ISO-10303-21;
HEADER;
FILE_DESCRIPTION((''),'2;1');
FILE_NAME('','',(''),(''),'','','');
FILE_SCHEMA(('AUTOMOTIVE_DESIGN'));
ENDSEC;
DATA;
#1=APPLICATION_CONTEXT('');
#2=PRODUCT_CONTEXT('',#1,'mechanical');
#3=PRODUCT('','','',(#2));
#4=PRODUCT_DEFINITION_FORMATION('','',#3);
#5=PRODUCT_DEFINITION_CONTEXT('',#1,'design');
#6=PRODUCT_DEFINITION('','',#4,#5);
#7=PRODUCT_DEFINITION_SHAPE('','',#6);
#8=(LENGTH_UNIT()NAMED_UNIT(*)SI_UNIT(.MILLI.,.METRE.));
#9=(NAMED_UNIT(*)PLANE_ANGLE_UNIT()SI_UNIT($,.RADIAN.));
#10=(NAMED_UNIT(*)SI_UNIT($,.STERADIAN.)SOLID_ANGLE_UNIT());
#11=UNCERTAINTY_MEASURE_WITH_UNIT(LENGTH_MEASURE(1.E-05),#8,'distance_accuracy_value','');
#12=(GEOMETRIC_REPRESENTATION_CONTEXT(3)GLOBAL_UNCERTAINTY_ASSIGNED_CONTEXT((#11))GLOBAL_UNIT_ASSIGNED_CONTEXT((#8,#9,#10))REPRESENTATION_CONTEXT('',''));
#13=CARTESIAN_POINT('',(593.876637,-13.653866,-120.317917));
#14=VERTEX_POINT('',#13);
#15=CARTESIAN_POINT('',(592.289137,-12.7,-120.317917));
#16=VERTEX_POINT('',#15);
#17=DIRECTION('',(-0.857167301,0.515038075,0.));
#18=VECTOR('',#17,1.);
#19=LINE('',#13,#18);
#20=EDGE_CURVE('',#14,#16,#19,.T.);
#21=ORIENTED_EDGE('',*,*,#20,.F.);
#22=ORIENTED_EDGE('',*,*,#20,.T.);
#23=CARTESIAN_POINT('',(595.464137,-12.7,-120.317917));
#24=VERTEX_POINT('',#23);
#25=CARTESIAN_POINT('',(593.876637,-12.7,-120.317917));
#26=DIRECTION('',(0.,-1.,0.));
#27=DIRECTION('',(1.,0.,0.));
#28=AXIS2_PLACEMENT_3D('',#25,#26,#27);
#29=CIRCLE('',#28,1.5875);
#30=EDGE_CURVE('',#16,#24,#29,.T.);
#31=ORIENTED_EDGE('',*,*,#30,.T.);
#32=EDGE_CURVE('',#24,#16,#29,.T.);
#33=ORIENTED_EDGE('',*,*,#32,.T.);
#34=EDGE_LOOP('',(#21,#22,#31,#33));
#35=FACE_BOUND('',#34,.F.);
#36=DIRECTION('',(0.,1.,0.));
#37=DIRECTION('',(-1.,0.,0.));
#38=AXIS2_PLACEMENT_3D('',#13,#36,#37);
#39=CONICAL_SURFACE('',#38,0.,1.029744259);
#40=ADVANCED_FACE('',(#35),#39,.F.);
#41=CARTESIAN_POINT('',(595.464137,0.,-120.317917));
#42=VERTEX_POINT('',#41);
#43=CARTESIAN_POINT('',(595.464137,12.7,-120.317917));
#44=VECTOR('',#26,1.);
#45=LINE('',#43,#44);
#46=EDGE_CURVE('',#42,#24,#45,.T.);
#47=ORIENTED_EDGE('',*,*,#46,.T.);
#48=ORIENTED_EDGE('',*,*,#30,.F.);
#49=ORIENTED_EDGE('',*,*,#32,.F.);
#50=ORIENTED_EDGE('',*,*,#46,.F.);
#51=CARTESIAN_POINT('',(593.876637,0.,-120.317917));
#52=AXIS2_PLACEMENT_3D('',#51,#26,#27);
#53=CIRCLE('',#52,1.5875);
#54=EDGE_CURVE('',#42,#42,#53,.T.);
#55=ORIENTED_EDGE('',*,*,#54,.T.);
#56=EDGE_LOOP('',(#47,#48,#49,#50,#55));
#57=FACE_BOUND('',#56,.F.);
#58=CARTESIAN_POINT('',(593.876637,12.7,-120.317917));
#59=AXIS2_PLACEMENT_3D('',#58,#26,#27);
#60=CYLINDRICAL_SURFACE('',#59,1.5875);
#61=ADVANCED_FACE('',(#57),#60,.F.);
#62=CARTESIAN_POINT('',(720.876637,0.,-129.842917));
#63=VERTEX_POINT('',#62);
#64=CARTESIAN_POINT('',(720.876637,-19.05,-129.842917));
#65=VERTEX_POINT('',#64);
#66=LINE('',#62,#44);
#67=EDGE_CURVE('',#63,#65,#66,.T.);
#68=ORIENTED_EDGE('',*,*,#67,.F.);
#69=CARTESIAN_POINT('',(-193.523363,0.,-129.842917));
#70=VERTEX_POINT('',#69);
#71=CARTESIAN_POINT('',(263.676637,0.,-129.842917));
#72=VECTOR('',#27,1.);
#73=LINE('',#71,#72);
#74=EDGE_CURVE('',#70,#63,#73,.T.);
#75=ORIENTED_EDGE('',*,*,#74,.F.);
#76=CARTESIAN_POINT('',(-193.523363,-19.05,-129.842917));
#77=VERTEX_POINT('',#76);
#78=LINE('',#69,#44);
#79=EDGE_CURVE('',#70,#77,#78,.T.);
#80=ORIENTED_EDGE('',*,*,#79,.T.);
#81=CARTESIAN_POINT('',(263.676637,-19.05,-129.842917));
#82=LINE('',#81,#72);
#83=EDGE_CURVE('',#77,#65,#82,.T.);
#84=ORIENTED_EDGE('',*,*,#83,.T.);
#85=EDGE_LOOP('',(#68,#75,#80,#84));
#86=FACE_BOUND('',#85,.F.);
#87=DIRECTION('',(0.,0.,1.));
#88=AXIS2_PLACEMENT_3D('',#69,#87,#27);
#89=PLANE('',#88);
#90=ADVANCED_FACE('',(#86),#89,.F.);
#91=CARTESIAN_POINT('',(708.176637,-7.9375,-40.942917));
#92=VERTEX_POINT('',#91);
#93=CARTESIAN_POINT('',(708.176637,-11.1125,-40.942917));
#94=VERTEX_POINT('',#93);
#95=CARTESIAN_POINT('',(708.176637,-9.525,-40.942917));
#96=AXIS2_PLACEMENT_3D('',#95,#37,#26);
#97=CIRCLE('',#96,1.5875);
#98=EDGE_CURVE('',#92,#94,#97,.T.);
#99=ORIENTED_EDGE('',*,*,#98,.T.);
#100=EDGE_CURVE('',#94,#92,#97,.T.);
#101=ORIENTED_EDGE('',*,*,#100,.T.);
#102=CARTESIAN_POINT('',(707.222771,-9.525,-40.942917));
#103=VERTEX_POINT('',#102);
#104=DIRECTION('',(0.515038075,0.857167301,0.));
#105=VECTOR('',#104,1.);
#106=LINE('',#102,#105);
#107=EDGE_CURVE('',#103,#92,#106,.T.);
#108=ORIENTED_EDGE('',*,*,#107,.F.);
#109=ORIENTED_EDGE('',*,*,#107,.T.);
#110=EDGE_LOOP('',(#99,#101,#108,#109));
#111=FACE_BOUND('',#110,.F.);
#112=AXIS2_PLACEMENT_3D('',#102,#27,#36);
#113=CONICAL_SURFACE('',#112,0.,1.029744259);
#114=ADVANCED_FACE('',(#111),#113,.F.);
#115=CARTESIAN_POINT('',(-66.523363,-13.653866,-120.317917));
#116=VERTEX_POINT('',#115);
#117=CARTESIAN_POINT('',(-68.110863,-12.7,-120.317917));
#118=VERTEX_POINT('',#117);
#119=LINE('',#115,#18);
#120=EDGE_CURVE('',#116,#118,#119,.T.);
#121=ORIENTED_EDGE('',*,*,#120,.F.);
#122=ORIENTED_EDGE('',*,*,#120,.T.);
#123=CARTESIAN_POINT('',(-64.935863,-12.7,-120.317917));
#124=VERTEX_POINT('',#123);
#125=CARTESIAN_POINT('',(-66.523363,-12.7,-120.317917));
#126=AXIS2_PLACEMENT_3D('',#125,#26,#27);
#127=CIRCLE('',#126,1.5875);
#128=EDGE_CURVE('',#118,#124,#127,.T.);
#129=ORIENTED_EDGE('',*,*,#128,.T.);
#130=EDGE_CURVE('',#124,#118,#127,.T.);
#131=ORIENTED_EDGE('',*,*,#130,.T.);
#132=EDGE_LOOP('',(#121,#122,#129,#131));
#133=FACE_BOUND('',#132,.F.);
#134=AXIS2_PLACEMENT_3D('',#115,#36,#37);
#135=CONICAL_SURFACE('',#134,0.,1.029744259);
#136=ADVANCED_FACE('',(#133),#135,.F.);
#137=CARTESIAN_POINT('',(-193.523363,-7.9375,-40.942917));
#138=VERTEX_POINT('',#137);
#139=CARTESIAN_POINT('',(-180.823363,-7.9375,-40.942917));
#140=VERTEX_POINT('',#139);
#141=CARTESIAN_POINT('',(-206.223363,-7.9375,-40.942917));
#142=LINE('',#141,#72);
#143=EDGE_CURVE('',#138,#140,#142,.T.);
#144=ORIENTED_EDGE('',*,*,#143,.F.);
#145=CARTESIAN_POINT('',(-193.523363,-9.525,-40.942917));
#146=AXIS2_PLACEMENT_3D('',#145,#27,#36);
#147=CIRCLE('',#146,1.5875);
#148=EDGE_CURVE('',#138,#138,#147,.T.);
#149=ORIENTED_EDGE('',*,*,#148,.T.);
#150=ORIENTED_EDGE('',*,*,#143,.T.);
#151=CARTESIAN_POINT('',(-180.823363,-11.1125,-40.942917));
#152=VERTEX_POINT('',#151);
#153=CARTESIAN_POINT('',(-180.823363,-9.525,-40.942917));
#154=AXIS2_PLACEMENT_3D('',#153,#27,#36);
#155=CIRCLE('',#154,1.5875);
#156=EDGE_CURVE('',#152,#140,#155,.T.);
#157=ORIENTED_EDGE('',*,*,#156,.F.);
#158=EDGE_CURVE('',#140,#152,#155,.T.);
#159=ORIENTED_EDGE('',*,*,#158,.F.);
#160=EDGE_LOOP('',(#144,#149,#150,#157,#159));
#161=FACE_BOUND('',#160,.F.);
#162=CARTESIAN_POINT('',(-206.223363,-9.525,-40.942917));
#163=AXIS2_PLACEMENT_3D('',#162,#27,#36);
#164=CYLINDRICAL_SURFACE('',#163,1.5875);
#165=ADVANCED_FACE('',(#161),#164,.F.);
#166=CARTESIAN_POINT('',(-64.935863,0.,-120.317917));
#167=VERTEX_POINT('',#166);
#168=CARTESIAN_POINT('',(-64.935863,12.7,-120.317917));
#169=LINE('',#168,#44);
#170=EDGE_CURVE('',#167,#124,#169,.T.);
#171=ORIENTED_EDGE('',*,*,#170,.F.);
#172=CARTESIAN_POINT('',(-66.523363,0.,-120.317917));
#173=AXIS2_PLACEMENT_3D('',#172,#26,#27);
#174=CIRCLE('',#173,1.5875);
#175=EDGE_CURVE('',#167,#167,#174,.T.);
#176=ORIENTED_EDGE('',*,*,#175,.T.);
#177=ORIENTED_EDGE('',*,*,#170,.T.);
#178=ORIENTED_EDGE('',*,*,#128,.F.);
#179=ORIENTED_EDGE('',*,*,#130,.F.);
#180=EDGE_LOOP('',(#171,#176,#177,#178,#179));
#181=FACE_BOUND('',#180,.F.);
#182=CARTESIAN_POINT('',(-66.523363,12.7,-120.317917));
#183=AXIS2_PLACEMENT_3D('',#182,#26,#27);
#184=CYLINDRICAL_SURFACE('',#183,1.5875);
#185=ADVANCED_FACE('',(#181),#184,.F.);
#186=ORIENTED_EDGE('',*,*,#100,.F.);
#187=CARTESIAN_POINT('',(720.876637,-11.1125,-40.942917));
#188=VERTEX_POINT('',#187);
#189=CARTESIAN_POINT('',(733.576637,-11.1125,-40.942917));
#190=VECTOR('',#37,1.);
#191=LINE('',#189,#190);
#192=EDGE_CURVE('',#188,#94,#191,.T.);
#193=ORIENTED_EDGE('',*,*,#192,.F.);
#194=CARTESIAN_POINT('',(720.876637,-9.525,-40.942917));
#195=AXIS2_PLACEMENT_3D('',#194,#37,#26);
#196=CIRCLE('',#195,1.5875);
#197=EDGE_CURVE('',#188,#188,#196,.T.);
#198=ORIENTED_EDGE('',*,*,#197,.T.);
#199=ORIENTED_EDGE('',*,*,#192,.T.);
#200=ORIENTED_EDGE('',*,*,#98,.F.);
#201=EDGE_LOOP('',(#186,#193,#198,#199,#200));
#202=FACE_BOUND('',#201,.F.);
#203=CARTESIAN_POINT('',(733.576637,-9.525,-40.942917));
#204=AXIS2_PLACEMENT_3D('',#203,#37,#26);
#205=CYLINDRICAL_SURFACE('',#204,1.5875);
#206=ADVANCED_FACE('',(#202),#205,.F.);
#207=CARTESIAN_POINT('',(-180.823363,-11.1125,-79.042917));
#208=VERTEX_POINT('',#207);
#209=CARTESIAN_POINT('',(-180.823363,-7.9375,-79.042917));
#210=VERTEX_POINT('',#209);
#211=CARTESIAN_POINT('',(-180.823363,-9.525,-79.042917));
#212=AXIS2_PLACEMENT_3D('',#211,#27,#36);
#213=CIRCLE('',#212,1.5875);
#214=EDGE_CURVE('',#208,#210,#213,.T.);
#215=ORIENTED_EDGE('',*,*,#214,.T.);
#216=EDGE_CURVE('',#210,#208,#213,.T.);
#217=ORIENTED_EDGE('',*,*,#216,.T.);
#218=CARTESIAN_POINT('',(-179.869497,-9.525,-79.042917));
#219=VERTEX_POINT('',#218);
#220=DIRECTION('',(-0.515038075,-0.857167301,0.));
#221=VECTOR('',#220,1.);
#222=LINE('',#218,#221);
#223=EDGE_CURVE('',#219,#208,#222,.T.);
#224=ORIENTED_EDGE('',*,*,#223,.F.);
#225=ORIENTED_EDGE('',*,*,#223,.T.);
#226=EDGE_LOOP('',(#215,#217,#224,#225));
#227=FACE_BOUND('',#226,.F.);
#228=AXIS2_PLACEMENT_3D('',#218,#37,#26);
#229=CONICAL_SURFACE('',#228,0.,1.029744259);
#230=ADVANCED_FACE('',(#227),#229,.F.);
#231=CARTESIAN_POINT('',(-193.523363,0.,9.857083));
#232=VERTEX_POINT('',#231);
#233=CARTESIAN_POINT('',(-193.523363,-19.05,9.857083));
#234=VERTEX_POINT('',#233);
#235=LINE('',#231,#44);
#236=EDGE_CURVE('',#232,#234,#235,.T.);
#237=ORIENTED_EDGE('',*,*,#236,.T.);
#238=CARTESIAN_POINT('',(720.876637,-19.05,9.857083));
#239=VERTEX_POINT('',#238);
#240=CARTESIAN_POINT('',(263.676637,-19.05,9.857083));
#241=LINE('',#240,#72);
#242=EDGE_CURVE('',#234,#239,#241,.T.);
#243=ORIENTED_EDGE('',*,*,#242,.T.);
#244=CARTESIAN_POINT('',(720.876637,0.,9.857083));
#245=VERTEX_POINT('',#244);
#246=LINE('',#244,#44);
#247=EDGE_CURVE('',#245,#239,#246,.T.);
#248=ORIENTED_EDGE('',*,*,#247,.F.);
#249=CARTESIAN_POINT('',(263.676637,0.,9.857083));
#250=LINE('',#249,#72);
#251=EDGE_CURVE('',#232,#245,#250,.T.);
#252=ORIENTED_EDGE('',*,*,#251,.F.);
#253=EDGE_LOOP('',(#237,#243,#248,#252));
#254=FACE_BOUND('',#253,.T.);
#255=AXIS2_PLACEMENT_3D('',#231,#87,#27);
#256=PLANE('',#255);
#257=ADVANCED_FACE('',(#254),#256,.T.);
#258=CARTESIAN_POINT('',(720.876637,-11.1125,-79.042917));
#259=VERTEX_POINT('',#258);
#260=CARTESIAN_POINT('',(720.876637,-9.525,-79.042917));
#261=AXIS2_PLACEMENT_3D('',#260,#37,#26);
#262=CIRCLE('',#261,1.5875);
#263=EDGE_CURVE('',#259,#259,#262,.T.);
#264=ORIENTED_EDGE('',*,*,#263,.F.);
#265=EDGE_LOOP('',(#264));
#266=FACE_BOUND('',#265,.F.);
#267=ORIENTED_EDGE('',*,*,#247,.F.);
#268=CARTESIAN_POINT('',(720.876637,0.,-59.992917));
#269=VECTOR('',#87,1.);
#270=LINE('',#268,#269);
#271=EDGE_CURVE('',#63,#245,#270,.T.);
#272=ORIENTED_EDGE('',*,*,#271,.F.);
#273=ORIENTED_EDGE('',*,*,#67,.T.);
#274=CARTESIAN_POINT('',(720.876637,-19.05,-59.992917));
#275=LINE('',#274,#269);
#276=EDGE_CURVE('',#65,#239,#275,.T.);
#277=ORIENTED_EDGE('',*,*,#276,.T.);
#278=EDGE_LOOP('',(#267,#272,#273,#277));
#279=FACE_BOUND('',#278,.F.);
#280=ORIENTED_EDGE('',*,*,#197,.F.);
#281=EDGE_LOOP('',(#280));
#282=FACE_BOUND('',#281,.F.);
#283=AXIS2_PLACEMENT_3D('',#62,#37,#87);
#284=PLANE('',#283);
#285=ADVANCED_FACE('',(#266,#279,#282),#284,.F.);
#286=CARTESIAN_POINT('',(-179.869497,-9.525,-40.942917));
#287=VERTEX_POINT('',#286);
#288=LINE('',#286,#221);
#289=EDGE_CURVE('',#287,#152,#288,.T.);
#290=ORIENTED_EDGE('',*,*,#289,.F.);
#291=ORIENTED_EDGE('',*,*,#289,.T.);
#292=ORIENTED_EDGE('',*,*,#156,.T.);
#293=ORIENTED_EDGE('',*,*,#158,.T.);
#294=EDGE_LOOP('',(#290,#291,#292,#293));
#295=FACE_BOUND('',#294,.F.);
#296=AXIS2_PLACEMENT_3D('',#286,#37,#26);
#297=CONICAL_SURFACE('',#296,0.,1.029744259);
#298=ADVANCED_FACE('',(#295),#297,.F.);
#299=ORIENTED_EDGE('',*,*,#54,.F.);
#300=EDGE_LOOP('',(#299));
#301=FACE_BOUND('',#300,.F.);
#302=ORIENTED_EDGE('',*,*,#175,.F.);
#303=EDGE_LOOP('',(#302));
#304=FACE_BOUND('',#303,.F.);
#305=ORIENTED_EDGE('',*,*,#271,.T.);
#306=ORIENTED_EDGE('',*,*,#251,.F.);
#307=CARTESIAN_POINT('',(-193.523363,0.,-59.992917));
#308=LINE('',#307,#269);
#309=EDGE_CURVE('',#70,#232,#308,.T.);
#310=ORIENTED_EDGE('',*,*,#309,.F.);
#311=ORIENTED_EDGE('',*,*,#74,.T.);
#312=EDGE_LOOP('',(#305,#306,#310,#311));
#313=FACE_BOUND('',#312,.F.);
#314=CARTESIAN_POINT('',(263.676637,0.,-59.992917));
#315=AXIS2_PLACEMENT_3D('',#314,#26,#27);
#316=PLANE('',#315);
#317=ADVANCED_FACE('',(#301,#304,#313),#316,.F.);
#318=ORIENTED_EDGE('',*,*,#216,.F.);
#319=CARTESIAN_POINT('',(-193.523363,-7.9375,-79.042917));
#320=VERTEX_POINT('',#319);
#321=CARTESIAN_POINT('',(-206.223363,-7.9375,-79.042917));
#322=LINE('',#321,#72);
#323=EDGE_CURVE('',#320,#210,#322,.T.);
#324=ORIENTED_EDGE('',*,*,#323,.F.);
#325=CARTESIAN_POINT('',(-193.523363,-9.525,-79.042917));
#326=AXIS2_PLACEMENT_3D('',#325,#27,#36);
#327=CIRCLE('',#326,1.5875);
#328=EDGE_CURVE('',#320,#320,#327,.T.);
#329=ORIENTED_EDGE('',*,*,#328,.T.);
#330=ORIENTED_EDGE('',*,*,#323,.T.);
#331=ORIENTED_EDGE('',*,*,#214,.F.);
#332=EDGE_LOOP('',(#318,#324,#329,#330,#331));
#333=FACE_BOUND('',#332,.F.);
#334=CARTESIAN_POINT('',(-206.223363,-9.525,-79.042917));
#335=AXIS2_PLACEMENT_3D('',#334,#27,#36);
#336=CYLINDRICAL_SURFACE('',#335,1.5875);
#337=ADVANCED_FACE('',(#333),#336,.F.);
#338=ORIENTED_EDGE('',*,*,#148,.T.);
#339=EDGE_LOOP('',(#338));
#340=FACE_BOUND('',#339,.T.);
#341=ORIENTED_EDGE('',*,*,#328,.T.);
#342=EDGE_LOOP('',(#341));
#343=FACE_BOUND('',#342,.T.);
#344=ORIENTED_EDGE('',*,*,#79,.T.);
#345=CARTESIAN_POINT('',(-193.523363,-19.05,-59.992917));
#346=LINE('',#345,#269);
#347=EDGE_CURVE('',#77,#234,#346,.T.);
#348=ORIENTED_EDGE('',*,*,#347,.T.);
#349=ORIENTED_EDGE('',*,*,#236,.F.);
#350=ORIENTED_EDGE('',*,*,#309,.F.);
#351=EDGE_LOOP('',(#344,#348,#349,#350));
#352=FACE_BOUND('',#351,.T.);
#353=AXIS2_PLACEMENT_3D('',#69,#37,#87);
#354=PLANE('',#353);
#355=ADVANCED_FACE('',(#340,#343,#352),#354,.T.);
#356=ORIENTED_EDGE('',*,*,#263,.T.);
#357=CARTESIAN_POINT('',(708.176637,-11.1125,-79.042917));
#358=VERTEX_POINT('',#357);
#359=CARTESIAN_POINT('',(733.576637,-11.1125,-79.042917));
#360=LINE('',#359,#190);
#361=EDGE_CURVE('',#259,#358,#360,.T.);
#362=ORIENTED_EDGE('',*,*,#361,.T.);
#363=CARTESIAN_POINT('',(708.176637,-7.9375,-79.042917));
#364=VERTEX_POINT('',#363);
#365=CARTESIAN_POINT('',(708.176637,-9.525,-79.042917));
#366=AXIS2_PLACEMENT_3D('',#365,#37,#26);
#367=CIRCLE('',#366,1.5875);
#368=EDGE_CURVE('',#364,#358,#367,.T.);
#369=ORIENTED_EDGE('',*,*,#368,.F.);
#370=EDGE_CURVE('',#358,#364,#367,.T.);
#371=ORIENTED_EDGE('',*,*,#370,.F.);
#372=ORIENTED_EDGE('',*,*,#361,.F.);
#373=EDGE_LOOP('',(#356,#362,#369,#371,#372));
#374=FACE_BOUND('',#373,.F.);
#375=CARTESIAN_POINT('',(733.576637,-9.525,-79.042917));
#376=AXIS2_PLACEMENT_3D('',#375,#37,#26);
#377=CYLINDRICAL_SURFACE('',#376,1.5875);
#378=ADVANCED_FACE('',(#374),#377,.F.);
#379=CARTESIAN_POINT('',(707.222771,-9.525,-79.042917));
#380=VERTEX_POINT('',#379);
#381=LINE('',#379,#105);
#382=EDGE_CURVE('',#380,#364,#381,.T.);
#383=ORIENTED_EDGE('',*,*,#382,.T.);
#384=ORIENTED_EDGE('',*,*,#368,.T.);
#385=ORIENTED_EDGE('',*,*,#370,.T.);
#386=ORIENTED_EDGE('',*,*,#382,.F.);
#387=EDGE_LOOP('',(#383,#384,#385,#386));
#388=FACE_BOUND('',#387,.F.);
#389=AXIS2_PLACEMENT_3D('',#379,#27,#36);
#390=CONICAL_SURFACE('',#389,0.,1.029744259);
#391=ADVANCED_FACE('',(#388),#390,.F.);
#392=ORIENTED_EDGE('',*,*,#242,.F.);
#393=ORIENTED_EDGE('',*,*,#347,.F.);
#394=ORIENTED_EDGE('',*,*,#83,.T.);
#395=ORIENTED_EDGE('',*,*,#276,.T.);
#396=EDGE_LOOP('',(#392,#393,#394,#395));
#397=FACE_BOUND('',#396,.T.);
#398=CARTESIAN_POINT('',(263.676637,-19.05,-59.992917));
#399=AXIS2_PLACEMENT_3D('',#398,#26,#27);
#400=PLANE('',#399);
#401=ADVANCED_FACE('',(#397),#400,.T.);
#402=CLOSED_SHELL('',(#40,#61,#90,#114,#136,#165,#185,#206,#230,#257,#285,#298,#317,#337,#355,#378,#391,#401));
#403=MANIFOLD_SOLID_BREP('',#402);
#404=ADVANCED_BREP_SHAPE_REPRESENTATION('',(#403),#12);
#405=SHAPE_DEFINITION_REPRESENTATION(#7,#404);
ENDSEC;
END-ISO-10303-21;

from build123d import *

# Parameters (mm, degrees)
F0_W     = 914.4
F0_H     = 139.7
F1_DEPTH = 19.05
F3_D     = 3.175
F3_DEPTH = 12.7
F3_TIP   = 0.9538662327
F5_D     = 3.175
F5_DEPTH = 12.7
F5_TIP   = 0.9538662327
F7_D     = 3.175
F7_DEPTH = 12.7
F7_TIP   = 0.9538662327


with BuildPart() as f1:
    # F0 (on Front) → F1 (new body)
    with BuildSketch(Plane.XZ):
        with Locations((263.6766368695, -59.9929172248)):
            Rectangle(F0_W, F0_H)
    extrude(amount=F1_DEPTH)

    # F3
    with Locations(Plane.YZ.offset(720.8766368695)):
        with Locations((-9.525, -40.9429172248), (-9.525, -79.0429172248)):
            Hole(F3_D / 2, depth=F3_DEPTH)
            with Locations((0, 0, -(F3_DEPTH + F3_TIP / 2))):  # 118° drill point
                Cone(0, F3_D / 2, F3_TIP, mode=Mode.SUBTRACT)

    # F5
    with Locations(Plane(origin=(-193.5233631305, 0, 0), x_dir=(0, -1, 0), z_dir=(-1, 0, 0))):
        with Locations((9.525, -40.9429172248), (9.525, -79.0429172248)):
            Hole(F5_D / 2, depth=F5_DEPTH)
            with Locations((0, 0, -(F5_DEPTH + F5_TIP / 2))):  # 118° drill point
                Cone(0, F5_D / 2, F5_TIP, mode=Mode.SUBTRACT)

    # F7
    with Locations(Plane(origin=(0, 0, 0), x_dir=(-1, 0, 0), z_dir=(0, 1, 0))):
        with Locations((-593.8766368695, -120.3179172248), (66.5233631305, -120.3179172248)):
            Hole(F7_D / 2, depth=F7_DEPTH)
            with Locations((0, 0, -(F7_DEPTH + F7_TIP / 2))):  # 118° drill point
                Cone(0, F7_D / 2, F7_TIP, mode=Mode.SUBTRACT)


solid = f1.part
